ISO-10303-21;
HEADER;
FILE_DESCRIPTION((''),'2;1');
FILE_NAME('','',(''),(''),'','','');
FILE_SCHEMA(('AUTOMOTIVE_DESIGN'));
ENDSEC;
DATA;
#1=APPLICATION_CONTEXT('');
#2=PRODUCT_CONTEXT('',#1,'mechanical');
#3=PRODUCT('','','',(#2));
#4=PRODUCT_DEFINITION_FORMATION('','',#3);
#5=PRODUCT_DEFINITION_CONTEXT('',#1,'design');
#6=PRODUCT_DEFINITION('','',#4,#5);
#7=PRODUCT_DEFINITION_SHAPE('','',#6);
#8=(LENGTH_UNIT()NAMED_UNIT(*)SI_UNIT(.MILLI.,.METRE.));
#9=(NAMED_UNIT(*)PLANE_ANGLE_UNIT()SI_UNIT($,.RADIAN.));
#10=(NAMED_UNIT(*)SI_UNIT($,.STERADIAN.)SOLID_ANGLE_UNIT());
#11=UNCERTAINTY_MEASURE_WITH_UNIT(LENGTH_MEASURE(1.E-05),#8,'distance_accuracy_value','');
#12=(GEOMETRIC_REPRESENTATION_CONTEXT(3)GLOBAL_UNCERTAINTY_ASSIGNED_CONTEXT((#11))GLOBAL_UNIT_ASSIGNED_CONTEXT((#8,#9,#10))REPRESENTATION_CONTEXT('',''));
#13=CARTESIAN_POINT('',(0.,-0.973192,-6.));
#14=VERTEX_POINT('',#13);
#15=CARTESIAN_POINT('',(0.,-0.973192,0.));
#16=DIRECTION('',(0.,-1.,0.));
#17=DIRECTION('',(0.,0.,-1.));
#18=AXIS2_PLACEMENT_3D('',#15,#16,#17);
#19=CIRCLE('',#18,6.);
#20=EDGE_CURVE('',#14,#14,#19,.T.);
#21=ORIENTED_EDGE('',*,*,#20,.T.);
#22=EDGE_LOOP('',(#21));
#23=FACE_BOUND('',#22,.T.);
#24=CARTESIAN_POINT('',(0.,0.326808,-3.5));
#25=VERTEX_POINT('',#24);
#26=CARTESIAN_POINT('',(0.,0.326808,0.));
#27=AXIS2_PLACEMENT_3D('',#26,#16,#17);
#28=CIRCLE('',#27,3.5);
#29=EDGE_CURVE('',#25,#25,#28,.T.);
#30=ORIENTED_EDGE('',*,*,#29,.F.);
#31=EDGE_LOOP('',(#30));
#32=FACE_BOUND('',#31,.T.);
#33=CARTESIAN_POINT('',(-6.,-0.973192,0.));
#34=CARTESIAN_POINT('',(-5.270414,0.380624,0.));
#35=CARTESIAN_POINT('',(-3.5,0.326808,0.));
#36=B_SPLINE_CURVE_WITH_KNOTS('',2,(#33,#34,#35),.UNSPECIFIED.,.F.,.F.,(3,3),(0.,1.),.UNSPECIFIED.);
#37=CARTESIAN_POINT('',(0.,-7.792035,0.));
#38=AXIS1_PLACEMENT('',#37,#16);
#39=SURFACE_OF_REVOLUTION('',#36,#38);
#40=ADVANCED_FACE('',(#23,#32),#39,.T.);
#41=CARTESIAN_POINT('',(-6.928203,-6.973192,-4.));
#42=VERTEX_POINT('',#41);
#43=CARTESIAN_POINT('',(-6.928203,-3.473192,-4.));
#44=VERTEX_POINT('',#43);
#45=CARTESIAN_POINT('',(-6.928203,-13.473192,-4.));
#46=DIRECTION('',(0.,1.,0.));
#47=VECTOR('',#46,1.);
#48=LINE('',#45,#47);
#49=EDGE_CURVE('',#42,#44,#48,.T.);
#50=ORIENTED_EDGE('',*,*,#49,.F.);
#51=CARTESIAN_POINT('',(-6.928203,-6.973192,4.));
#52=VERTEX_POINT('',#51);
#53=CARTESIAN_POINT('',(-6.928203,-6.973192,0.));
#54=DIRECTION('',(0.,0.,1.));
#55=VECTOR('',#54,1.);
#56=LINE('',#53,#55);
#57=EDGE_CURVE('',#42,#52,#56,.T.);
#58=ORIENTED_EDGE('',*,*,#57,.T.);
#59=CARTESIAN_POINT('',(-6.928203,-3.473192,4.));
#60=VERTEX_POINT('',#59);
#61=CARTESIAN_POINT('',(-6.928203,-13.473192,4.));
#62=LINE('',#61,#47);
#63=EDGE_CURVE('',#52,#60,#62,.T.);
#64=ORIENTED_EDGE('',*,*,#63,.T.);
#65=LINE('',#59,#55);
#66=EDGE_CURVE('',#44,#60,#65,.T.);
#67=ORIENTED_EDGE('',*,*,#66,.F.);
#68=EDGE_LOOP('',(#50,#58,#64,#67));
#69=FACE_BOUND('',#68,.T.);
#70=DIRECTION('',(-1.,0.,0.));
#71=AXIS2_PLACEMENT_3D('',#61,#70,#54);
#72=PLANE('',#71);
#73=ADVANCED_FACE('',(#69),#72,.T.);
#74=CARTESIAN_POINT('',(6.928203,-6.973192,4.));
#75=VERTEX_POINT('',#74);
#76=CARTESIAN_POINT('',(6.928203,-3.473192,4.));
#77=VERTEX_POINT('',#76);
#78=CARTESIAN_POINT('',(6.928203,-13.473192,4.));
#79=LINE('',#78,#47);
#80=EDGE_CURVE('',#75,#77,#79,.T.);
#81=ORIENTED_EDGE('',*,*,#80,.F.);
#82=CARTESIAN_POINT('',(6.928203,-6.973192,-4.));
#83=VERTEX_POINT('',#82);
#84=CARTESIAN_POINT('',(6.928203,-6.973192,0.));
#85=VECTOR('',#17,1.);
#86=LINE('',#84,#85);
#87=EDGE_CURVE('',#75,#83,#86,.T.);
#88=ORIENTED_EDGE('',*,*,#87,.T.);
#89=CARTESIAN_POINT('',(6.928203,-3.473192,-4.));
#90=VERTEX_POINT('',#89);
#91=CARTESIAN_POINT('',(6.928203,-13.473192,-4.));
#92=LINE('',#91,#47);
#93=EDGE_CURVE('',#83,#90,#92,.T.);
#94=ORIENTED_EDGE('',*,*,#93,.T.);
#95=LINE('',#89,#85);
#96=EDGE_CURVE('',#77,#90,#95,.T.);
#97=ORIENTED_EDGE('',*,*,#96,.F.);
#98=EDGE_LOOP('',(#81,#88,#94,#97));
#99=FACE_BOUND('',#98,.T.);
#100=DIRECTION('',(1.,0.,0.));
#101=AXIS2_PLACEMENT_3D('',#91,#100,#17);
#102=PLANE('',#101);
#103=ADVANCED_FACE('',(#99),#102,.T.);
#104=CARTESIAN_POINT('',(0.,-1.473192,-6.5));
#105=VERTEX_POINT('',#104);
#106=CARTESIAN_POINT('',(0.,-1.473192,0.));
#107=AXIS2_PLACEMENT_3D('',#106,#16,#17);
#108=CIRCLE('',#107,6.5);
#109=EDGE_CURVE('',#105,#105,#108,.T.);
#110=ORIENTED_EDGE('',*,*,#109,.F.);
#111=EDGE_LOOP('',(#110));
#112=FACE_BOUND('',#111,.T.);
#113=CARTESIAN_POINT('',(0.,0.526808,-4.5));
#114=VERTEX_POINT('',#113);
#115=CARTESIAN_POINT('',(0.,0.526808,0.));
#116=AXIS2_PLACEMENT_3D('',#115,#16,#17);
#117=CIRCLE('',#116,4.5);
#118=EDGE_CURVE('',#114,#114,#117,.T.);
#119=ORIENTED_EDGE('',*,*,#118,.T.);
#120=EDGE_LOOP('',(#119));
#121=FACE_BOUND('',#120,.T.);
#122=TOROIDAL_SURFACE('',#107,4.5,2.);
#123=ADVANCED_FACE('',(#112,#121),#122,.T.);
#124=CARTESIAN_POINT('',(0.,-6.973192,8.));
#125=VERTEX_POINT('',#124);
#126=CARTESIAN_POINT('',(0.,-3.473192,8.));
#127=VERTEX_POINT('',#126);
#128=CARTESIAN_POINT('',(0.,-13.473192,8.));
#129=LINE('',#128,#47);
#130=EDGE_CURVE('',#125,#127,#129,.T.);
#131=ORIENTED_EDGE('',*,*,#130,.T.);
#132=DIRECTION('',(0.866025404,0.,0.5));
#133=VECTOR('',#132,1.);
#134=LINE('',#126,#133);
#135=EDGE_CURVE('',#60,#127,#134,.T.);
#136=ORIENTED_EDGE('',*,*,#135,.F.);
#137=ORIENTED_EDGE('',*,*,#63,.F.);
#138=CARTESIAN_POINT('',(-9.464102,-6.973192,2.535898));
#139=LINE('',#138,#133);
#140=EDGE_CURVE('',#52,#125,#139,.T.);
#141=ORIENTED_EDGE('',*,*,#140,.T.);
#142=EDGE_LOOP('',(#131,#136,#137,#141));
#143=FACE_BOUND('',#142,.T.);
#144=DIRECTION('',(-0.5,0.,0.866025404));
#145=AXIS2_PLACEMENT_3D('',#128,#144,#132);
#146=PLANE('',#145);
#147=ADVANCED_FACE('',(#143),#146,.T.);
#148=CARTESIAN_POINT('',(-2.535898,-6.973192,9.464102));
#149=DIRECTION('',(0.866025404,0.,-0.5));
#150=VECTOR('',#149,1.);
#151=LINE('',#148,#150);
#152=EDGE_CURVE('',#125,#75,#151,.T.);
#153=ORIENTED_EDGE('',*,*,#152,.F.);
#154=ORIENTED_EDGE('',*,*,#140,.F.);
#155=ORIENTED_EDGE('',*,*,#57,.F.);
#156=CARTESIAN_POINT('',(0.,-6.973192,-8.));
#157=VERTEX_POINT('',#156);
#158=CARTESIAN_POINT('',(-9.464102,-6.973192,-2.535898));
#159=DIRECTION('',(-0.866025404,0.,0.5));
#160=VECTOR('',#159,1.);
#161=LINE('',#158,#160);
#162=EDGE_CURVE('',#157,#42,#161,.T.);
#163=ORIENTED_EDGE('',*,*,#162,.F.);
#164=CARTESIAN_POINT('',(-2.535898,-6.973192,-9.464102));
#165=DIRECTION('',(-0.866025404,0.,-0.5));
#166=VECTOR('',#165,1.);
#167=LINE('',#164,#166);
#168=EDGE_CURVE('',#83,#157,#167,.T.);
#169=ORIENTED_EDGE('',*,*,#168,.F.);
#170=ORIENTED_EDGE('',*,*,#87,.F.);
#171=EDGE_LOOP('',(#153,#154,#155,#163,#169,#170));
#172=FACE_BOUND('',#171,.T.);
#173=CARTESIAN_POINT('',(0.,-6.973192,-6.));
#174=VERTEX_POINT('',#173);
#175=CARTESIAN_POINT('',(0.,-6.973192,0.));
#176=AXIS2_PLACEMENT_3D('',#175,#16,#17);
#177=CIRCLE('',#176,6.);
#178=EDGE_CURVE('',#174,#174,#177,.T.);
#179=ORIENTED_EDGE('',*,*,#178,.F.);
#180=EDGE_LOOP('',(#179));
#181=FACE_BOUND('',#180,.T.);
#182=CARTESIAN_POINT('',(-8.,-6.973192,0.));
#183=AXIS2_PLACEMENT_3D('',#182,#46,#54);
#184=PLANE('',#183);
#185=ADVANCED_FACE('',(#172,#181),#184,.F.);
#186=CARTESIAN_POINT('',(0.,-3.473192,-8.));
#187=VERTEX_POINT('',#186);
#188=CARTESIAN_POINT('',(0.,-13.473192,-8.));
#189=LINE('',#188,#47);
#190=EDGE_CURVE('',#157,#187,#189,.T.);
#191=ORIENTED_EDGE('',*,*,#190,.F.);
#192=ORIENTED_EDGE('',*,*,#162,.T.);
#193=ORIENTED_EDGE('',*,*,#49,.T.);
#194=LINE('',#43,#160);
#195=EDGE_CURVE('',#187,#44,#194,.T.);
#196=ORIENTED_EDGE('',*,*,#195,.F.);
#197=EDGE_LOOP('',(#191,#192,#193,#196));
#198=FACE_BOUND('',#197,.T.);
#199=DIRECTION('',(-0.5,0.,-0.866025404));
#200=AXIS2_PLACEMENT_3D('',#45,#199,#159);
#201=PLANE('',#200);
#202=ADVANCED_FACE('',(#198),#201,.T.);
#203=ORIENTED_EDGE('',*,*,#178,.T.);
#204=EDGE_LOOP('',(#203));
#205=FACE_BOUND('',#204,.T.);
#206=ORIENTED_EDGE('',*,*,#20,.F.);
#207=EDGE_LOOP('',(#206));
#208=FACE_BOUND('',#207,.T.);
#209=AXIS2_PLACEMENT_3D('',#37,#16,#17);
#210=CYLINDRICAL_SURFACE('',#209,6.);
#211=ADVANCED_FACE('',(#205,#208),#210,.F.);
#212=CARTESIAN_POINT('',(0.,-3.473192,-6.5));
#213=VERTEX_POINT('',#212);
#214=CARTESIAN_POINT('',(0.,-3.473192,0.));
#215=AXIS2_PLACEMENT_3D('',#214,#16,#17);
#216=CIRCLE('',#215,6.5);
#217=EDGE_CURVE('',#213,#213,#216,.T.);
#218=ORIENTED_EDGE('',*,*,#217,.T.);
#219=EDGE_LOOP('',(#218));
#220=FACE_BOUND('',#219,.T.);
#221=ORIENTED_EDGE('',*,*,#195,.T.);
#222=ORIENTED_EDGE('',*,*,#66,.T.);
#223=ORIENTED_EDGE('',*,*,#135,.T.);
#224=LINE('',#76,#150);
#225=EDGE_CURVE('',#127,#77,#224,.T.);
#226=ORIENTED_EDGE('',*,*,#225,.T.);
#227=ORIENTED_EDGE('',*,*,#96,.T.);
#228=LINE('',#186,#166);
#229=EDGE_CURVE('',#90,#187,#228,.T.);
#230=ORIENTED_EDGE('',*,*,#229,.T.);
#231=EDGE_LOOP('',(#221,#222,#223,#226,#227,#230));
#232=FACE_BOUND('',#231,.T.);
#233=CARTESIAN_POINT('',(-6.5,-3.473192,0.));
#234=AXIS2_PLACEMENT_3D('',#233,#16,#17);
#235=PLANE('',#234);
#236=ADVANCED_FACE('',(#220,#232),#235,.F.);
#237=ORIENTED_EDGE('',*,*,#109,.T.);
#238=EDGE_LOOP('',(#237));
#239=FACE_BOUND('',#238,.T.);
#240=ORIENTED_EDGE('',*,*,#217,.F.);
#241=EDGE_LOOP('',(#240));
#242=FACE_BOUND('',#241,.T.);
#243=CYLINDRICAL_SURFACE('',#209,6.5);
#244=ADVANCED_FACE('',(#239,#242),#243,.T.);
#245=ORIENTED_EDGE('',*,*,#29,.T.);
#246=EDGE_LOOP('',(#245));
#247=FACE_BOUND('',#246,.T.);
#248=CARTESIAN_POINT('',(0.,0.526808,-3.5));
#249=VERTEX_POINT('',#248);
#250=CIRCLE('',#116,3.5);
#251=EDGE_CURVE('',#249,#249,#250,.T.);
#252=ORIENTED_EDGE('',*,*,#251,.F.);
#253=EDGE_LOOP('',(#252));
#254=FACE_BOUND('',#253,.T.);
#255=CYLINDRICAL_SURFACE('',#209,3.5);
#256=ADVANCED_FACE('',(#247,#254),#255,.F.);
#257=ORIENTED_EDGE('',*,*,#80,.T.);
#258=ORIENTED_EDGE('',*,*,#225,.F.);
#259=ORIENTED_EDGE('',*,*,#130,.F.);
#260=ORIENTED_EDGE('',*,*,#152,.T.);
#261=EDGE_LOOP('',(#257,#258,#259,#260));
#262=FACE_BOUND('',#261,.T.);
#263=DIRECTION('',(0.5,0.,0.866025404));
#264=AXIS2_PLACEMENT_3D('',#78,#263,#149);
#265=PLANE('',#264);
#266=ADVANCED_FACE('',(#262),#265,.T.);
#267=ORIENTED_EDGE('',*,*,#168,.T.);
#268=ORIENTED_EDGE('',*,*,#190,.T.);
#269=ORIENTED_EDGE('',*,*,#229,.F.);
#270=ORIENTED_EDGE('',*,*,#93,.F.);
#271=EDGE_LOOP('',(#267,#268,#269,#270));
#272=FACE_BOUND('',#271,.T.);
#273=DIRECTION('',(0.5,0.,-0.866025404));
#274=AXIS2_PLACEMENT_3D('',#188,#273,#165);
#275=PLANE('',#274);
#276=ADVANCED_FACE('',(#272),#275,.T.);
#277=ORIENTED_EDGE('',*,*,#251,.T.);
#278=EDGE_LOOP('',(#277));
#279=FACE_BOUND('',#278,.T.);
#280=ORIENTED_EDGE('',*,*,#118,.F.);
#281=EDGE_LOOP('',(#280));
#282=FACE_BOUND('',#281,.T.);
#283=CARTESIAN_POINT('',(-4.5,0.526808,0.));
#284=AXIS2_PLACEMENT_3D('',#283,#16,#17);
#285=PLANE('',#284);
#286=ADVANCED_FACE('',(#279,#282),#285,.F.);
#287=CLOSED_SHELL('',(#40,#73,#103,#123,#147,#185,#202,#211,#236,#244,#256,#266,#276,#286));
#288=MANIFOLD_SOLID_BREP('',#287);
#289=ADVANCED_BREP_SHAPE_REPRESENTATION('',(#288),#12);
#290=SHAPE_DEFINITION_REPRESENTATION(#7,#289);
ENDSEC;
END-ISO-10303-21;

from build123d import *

# Parameters (mm, degrees)
SKETCH_2_R          = 11.601145783
CUT_EXTRUDE_1_DEPTH = 10


with BuildPart() as part:
    # Эскиз1 → Повернуть1 (revolve)
    with BuildSketch(Plane.XY):
        with BuildLine():
            Line((-8, -6.973192061), (-6, -6.973192061))
            Line((-6, -6.973192061), (-6, -0.973192061))
            add(Edge.make_bspline(
                [(-6, -0.973192061), (-5.270413842, 0.380623503), (-3.5, 0.326807939)],
                knots=[0, 0, 0, 1, 1, 1], degree=2))
            Line((-3.5, 0.326807939), (-3.5, 0.526807939))
            Line((-3.5, 0.526807939), (-4.5, 0.526807939))
            ThreePointArc((-4.5, 0.526807939), (-5.914213562, -0.058978499), (-6.5, -1.473192061))
            Line((-6.5, -1.473192061), (-6.5, -3.473192061))
            Line((-6.5, -3.473192061), (-8, -3.473192061))
            Line((-8, -3.473192061), (-8, -6.973192061))
        make_face()
    revolve(axis=Axis((0, -7.792035126, 0), (0, 1, 0)))

    # Эскиз2 → Вырез-Вытянуть1 (cut)
    with BuildSketch(Plane(origin=(0, -3.473192061, 0), x_dir=(1, 0, 0), z_dir=(0, 1, 0))):
        Circle(SKETCH_2_R)
        Polygon((0, 8), (6.92820323, 4), (6.92820323, -4), (0, -8), (-6.92820323, -4), (-6.92820323, 4), align=None, mode=Mode.SUBTRACT)
    extrude(amount=-CUT_EXTRUDE_1_DEPTH, mode=Mode.SUBTRACT)


solid = part.part
